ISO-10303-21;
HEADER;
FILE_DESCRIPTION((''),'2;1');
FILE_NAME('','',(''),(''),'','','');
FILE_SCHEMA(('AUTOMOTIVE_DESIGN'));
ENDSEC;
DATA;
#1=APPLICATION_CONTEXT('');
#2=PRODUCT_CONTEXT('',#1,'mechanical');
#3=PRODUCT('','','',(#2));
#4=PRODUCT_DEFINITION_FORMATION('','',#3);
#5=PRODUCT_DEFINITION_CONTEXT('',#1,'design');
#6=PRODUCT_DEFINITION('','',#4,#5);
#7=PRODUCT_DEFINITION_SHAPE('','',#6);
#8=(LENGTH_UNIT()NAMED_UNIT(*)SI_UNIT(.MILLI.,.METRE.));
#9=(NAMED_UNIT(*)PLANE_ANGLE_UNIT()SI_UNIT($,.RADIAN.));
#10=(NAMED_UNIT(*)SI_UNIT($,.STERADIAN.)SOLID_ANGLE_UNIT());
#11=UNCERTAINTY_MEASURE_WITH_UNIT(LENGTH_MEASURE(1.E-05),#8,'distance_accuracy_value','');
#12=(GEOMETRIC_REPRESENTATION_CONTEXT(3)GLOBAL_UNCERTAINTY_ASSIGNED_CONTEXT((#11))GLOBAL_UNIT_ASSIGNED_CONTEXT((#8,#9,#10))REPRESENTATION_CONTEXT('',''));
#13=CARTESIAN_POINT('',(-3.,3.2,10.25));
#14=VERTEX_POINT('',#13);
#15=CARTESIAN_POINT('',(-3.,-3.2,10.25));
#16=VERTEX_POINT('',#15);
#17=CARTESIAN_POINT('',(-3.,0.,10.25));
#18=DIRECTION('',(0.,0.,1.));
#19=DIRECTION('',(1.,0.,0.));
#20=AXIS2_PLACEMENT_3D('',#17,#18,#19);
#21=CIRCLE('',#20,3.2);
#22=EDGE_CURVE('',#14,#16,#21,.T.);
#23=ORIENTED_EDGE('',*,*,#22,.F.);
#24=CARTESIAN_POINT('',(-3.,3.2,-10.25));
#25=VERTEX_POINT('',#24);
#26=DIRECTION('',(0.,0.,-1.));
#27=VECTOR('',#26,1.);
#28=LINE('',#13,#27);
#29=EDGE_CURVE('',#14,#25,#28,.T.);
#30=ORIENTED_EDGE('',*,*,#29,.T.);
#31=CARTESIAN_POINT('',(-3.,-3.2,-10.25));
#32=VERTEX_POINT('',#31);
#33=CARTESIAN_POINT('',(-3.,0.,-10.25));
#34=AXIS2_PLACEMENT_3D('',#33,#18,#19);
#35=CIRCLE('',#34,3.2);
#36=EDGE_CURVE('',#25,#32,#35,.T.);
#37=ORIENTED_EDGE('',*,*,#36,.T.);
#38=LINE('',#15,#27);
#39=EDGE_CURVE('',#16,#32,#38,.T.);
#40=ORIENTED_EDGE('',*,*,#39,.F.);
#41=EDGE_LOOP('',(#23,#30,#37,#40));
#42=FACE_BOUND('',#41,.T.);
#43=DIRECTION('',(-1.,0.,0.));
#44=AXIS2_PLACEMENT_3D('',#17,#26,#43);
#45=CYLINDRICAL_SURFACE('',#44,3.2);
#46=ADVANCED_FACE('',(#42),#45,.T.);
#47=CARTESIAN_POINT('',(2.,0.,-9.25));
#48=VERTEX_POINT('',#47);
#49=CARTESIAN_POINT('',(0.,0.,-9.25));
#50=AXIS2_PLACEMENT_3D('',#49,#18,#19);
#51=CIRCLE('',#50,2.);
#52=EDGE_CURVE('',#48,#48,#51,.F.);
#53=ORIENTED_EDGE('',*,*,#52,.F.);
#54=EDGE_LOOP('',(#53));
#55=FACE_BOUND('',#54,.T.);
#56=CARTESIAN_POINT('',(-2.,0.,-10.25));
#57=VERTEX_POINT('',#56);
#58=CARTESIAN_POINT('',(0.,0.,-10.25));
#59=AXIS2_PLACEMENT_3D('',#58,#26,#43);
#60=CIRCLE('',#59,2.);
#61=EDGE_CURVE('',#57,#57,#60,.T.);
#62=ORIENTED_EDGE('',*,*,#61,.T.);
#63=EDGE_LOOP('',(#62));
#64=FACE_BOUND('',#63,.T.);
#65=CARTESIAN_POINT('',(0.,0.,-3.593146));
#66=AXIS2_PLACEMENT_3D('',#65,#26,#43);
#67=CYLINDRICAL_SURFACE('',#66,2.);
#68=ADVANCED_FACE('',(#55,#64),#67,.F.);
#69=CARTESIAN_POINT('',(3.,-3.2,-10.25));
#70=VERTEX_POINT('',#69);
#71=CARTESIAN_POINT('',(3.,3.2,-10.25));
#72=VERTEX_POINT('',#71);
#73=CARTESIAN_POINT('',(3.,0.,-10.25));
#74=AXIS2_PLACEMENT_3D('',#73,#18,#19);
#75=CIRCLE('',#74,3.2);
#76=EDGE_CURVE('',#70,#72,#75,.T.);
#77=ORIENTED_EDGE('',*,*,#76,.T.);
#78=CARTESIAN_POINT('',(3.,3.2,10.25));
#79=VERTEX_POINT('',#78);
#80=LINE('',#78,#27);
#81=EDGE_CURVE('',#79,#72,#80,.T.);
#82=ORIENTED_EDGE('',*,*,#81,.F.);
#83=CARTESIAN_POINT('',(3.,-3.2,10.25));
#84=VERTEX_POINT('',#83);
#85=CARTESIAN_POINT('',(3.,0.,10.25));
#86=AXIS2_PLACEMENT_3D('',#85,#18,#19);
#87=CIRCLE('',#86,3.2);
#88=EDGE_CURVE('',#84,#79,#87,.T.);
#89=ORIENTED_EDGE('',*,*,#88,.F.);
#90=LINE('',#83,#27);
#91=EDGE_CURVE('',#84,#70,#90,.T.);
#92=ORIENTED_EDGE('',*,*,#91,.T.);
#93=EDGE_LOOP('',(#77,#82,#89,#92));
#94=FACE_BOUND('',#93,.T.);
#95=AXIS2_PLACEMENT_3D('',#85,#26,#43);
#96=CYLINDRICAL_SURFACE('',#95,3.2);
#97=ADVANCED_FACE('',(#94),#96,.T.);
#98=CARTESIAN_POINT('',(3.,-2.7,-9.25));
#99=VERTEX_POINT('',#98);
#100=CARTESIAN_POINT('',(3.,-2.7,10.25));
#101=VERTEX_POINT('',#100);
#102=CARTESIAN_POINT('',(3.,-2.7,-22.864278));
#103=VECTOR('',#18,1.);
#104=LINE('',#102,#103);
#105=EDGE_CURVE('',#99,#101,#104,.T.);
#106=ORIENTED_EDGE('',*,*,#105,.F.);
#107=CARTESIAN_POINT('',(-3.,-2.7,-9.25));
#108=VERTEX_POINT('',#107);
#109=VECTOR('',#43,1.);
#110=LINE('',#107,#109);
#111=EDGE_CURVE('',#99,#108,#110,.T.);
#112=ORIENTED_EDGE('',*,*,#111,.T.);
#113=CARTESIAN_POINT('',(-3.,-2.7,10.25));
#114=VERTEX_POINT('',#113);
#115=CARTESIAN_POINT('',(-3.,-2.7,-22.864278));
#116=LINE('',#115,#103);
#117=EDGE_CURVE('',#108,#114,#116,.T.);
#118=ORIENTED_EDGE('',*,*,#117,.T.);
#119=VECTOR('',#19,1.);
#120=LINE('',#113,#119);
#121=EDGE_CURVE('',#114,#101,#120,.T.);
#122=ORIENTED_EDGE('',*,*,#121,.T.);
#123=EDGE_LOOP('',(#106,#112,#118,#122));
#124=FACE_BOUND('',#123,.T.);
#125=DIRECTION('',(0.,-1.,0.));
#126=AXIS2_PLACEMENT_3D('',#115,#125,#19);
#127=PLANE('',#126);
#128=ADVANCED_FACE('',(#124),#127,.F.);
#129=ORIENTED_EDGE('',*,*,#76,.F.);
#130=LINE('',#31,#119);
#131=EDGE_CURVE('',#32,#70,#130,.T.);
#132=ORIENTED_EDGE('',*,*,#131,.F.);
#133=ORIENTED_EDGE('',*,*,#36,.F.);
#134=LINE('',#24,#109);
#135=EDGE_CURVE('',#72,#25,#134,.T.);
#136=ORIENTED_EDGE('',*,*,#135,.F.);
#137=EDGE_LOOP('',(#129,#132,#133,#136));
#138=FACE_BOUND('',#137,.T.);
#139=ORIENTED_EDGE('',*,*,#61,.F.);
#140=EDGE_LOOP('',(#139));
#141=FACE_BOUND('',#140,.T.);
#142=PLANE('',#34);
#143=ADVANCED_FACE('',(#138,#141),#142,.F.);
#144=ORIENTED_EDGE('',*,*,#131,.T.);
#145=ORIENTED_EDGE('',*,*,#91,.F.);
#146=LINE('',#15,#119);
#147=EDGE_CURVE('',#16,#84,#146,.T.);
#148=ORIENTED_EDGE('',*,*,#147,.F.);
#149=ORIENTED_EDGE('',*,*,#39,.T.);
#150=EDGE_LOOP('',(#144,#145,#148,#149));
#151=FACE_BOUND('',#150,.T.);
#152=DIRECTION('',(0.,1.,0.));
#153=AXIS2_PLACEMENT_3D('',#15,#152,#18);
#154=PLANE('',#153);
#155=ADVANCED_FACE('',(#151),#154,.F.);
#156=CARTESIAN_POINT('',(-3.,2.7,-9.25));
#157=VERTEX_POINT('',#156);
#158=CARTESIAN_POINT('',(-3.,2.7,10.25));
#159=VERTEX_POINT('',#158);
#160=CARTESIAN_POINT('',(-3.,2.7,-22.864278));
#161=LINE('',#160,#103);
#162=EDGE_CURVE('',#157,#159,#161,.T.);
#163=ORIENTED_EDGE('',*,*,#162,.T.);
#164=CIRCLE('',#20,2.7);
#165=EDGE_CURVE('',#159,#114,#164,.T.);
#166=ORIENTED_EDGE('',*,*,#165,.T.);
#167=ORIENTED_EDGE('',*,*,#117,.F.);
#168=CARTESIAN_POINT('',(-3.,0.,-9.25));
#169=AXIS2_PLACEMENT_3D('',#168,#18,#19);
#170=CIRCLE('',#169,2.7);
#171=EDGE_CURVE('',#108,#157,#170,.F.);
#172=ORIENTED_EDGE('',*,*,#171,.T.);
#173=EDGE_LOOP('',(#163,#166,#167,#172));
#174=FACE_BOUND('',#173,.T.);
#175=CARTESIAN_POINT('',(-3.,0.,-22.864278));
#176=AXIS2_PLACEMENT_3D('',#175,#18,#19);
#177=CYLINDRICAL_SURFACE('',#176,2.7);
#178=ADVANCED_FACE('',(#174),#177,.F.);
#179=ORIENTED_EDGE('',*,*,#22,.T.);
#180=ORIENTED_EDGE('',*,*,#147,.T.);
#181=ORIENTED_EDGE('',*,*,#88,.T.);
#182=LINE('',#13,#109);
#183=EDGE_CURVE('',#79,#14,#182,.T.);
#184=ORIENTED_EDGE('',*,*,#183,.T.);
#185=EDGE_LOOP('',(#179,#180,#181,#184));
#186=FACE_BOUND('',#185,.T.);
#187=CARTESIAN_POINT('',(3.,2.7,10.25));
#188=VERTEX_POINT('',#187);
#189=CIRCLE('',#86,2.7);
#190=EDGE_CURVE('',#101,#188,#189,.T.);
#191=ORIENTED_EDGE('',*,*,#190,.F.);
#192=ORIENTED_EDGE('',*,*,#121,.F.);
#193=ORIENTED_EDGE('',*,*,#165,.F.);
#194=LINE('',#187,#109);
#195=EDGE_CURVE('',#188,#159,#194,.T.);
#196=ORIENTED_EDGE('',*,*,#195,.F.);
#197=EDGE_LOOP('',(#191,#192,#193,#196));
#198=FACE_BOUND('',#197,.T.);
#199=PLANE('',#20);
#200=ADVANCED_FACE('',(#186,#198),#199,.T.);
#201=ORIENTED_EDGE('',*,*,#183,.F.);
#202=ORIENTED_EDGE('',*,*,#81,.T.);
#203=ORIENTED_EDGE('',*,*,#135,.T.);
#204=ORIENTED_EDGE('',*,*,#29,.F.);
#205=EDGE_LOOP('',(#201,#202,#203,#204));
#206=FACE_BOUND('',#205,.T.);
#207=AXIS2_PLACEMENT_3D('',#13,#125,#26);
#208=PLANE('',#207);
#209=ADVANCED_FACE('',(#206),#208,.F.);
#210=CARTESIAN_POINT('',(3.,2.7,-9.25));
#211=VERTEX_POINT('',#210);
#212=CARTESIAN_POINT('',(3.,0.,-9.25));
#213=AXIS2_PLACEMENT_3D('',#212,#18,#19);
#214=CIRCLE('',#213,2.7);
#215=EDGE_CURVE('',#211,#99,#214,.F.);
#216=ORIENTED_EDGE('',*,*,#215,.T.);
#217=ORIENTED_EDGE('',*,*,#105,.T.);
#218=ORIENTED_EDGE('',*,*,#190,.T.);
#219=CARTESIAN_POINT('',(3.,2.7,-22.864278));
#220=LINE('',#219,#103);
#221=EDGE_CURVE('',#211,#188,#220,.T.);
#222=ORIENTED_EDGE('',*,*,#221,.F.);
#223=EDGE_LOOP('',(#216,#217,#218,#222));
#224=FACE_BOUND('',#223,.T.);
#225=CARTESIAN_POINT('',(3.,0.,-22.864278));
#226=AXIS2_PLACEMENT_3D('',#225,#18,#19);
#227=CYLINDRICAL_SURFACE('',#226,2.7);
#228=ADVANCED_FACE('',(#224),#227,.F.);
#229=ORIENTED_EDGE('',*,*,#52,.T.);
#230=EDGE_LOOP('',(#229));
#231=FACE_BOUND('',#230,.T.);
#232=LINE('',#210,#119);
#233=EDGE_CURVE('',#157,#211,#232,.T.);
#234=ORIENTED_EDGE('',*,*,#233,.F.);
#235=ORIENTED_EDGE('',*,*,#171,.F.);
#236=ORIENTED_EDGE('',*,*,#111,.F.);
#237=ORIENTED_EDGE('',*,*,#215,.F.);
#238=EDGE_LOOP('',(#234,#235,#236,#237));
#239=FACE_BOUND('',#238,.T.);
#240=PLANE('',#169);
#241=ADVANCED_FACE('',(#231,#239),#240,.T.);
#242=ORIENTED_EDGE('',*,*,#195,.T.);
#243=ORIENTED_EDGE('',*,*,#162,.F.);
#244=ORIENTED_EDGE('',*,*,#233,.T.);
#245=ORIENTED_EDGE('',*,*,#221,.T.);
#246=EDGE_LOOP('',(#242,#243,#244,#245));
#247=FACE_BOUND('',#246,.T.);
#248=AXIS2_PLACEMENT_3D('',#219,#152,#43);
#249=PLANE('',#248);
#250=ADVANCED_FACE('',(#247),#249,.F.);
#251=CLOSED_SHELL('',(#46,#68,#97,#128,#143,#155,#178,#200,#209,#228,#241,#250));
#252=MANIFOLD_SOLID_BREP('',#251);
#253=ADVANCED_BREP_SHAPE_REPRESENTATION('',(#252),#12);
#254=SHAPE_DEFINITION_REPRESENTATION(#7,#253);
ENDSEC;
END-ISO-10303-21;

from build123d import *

# Parameters (mm, degrees)
PROFILE_DEPTH = 10.25
POCKET_DEPTH  = 19.5
HOLES_R       = 2
HOLE_DEPTH    = 1


with BuildPart() as part:
    # ProfileS → Profile (new, symmetric)
    with BuildSketch(Plane.XY):
        with BuildLine():
            Line((-3, 3.2), (3, 3.2))
            ThreePointArc((3, 3.2), (6.2, 0), (3, -3.2))
            Line((3, -3.2), (-3, -3.2))
            ThreePointArc((-3, -3.2), (-6.2, 0), (-3, 3.2))
        make_face()
    extrude(amount=PROFILE_DEPTH, both=True)

    # PocketS → Pocket (cut)
    with BuildSketch(Plane.XY.offset(10.25)):
        with BuildLine():
            Line((-3, -2.7), (3, -2.7))
            ThreePointArc((3, -2.7), (5.7, 0), (3, 2.7))
            Line((3, 2.7), (-3, 2.7))
            ThreePointArc((-3, 2.7), (-5.7, 0), (-3, -2.7))
        make_face()
    extrude(amount=-POCKET_DEPTH, mode=Mode.SUBTRACT)

    # HoleS → Hole (cut)
    with BuildSketch(Plane(origin=(0, 0, -10.25), x_dir=(-1, 0, 0), z_dir=(0, 0, -1))):
        Circle(HOLES_R)
    extrude(amount=-HOLE_DEPTH, mode=Mode.SUBTRACT)


solid = part.part
